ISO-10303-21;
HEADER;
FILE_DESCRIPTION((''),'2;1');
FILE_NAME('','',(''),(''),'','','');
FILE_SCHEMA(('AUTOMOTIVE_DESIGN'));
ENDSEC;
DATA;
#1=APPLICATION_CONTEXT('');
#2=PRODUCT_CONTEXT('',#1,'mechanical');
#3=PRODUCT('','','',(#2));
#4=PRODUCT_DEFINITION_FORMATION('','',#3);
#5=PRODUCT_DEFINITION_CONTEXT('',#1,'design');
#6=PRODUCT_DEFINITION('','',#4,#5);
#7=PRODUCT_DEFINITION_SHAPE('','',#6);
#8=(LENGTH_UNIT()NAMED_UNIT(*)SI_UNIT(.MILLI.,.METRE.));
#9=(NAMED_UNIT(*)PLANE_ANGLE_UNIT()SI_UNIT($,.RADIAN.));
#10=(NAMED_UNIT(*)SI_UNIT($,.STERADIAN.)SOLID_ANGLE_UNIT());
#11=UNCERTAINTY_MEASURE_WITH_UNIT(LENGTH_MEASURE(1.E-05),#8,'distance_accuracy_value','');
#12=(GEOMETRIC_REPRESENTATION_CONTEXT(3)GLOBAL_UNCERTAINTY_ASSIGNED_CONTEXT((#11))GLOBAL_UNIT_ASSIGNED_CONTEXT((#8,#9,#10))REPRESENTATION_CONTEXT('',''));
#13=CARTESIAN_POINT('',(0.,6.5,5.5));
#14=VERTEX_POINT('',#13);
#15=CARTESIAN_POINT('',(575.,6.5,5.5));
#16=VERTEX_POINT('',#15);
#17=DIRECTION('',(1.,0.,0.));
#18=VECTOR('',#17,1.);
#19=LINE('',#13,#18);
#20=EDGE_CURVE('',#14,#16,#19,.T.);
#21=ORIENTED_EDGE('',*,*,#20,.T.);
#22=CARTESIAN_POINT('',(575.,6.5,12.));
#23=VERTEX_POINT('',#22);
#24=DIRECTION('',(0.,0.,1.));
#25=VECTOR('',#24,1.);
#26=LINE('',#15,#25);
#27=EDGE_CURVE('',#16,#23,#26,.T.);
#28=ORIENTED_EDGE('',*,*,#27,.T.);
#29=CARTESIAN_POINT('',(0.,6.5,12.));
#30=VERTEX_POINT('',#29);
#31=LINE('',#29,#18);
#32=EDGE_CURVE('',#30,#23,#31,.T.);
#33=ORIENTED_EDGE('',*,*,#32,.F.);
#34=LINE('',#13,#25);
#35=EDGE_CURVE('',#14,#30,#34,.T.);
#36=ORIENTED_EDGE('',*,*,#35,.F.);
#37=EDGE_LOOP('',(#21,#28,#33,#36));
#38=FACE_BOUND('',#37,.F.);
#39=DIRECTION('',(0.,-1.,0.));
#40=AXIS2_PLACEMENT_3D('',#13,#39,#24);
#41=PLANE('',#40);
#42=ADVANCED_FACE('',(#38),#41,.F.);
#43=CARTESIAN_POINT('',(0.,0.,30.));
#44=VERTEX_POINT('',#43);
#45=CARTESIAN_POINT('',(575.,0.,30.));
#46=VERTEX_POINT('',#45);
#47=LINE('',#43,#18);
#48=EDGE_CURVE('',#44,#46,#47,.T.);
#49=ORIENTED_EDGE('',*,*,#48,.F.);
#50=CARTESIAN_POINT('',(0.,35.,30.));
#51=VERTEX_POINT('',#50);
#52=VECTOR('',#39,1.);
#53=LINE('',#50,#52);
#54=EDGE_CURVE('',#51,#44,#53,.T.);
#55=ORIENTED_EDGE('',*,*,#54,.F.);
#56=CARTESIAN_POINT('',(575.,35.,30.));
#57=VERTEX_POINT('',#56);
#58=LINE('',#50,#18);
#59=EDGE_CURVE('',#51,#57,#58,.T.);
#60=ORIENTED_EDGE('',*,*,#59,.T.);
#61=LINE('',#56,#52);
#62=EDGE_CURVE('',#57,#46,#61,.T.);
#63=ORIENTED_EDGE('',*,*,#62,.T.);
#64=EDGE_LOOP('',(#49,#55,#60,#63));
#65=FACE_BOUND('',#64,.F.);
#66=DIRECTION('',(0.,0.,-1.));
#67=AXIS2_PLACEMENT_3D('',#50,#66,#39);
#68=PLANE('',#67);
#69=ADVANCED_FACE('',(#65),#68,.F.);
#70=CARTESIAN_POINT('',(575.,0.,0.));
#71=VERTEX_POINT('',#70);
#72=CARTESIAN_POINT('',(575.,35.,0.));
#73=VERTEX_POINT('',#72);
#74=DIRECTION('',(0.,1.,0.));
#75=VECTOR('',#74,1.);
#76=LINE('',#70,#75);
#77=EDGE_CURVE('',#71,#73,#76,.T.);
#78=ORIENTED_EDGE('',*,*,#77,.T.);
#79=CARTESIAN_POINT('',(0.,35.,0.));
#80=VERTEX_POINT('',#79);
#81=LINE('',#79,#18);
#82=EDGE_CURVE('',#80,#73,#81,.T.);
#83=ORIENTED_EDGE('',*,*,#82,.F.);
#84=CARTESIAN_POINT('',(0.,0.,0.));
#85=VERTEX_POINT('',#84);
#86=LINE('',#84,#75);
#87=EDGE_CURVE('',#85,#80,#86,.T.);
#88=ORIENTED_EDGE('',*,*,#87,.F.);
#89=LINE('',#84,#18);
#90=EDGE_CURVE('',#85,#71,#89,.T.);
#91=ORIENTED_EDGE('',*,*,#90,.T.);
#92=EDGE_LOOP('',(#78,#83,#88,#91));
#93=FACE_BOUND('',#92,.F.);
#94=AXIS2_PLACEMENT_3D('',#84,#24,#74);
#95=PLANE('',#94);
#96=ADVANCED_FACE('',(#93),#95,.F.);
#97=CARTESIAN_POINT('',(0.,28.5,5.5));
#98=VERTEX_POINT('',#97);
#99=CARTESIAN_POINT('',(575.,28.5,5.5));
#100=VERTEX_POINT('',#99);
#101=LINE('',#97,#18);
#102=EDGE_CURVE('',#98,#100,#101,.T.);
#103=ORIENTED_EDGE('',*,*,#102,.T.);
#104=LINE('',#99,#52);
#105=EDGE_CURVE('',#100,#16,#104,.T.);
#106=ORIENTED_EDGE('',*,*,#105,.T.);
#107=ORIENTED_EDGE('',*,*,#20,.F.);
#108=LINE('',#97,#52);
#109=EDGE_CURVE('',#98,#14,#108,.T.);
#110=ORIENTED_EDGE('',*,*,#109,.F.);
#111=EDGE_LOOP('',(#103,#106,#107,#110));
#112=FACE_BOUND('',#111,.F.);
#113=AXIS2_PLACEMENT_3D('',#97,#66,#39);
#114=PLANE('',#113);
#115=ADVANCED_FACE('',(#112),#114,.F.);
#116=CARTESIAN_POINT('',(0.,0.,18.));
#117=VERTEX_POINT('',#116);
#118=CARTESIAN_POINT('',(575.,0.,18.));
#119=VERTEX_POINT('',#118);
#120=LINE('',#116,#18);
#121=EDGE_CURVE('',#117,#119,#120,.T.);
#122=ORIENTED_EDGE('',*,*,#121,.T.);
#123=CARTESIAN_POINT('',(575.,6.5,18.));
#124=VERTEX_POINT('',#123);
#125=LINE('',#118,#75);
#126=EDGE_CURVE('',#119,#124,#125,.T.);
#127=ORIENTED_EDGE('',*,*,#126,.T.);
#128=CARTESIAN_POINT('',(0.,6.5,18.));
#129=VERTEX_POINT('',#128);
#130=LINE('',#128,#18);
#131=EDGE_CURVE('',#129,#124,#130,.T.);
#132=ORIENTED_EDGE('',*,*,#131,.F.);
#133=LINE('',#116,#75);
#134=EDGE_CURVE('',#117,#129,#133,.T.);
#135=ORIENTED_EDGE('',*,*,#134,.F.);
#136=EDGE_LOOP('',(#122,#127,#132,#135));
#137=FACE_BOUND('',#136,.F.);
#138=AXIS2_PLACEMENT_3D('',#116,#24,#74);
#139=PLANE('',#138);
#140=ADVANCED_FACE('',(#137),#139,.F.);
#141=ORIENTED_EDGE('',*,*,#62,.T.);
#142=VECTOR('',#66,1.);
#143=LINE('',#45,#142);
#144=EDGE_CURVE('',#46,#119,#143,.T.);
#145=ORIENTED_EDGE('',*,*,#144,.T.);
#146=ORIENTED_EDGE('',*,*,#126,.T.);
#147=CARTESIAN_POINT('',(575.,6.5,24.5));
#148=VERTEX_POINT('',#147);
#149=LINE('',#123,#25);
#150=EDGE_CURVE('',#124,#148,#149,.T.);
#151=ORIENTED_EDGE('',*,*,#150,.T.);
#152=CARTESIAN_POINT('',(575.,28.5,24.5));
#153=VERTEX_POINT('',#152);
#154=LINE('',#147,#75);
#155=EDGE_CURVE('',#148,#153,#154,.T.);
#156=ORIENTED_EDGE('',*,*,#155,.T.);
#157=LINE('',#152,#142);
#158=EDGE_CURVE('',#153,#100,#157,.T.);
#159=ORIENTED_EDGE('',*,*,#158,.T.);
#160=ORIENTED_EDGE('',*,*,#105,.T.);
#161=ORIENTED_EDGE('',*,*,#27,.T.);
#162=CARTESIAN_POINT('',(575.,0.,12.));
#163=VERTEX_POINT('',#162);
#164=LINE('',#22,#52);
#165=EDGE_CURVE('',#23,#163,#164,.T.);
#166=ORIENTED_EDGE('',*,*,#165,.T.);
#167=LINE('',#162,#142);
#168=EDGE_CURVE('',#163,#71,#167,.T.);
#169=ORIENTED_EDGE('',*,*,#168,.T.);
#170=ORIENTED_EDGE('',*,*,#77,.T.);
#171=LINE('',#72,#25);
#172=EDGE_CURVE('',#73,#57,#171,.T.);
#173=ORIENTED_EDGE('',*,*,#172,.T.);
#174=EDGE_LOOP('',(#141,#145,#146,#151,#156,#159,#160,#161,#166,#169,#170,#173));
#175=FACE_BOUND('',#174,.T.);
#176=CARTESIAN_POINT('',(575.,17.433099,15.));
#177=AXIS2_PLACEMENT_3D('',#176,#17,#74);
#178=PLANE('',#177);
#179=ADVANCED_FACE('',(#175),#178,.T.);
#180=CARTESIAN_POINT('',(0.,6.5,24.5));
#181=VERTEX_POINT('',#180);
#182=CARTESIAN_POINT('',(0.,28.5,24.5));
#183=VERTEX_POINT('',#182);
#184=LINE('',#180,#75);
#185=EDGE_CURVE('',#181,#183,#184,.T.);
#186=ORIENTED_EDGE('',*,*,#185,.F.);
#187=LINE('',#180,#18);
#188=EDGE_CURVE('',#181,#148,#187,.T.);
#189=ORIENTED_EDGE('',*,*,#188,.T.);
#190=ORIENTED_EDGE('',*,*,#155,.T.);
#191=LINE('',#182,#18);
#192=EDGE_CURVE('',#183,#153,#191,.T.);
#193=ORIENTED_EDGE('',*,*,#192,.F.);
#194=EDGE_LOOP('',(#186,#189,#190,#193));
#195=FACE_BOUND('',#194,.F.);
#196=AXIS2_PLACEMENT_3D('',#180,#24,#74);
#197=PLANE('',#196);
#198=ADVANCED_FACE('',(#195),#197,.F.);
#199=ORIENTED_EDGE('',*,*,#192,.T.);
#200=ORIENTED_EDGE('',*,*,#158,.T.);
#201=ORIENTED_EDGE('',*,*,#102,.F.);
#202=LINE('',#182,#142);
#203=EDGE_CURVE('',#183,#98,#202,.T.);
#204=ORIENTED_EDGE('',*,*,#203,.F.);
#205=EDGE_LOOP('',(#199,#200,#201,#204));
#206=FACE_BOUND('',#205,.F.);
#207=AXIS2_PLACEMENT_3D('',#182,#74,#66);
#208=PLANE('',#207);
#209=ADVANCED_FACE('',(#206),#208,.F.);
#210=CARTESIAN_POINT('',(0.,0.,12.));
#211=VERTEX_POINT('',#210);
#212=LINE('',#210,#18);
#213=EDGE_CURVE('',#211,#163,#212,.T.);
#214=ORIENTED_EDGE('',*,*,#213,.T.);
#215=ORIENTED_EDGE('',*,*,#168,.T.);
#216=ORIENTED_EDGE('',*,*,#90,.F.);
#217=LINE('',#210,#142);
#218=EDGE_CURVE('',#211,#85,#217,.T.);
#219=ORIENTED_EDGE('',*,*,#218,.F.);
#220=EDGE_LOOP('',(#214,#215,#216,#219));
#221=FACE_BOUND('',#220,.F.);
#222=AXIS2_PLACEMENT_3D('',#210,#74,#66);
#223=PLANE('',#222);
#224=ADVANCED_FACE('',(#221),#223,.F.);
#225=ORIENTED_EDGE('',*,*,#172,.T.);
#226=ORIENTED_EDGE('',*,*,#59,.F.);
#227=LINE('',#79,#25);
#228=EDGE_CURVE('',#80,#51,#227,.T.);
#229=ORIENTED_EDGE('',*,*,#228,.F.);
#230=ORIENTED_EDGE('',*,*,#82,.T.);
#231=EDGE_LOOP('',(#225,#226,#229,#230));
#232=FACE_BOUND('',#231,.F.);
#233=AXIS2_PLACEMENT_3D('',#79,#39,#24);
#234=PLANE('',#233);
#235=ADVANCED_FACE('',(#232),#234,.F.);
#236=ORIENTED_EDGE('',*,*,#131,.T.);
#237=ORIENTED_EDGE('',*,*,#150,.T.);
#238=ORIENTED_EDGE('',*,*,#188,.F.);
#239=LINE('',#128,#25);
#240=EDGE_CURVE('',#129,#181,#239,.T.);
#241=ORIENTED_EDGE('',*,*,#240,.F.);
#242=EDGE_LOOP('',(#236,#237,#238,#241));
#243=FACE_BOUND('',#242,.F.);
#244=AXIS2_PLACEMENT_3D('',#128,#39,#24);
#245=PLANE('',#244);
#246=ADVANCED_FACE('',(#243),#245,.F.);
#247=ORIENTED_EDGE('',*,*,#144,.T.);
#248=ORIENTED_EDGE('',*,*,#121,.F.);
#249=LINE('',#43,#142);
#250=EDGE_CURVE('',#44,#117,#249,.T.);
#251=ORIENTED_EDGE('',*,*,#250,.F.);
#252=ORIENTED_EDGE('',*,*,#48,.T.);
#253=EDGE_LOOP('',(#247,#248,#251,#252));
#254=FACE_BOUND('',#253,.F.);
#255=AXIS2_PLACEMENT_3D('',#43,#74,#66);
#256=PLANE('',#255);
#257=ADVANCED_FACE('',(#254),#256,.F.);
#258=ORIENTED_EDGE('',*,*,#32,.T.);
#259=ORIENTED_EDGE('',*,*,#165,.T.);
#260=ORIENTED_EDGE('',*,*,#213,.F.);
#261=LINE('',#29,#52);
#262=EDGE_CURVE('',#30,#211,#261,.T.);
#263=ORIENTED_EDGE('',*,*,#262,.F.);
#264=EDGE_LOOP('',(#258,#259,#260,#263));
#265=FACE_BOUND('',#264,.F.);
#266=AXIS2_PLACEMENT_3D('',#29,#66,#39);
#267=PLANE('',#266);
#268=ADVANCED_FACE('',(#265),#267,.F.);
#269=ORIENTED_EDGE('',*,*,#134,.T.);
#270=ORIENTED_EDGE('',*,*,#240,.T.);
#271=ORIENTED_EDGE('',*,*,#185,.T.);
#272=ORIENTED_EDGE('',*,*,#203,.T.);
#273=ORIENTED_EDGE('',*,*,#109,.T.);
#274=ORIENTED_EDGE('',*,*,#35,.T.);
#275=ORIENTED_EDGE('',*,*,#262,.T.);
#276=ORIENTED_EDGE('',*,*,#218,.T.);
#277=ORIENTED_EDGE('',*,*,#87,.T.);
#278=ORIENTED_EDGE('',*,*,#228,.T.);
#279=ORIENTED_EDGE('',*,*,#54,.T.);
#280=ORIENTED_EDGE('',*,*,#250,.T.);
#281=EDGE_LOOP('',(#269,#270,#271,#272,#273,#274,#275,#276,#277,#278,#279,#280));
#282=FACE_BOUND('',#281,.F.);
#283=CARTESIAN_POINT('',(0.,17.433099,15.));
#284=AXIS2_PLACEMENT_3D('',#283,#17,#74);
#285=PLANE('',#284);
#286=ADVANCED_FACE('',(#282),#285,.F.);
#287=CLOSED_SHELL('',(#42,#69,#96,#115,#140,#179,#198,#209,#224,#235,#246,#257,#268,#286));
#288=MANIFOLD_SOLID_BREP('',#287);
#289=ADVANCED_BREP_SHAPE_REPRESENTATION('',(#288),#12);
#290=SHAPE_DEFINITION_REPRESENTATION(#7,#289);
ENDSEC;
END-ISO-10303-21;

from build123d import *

# Parameters (mm, degrees)
PAD_DEPTH = 575


with BuildPart() as part:
    # Sketch → Pad (new body)
    with BuildSketch(Plane.YZ):
        Polygon((0, 0), (35, 0), (35, 30), (0, 30), (0, 18), (6.5, 18), (6.5, 24.5), (28.5, 24.5), (28.5, 5.5), (6.5, 5.5), (6.5, 12), (0, 12), align=None)
    extrude(amount=PAD_DEPTH)


solid = part.part
